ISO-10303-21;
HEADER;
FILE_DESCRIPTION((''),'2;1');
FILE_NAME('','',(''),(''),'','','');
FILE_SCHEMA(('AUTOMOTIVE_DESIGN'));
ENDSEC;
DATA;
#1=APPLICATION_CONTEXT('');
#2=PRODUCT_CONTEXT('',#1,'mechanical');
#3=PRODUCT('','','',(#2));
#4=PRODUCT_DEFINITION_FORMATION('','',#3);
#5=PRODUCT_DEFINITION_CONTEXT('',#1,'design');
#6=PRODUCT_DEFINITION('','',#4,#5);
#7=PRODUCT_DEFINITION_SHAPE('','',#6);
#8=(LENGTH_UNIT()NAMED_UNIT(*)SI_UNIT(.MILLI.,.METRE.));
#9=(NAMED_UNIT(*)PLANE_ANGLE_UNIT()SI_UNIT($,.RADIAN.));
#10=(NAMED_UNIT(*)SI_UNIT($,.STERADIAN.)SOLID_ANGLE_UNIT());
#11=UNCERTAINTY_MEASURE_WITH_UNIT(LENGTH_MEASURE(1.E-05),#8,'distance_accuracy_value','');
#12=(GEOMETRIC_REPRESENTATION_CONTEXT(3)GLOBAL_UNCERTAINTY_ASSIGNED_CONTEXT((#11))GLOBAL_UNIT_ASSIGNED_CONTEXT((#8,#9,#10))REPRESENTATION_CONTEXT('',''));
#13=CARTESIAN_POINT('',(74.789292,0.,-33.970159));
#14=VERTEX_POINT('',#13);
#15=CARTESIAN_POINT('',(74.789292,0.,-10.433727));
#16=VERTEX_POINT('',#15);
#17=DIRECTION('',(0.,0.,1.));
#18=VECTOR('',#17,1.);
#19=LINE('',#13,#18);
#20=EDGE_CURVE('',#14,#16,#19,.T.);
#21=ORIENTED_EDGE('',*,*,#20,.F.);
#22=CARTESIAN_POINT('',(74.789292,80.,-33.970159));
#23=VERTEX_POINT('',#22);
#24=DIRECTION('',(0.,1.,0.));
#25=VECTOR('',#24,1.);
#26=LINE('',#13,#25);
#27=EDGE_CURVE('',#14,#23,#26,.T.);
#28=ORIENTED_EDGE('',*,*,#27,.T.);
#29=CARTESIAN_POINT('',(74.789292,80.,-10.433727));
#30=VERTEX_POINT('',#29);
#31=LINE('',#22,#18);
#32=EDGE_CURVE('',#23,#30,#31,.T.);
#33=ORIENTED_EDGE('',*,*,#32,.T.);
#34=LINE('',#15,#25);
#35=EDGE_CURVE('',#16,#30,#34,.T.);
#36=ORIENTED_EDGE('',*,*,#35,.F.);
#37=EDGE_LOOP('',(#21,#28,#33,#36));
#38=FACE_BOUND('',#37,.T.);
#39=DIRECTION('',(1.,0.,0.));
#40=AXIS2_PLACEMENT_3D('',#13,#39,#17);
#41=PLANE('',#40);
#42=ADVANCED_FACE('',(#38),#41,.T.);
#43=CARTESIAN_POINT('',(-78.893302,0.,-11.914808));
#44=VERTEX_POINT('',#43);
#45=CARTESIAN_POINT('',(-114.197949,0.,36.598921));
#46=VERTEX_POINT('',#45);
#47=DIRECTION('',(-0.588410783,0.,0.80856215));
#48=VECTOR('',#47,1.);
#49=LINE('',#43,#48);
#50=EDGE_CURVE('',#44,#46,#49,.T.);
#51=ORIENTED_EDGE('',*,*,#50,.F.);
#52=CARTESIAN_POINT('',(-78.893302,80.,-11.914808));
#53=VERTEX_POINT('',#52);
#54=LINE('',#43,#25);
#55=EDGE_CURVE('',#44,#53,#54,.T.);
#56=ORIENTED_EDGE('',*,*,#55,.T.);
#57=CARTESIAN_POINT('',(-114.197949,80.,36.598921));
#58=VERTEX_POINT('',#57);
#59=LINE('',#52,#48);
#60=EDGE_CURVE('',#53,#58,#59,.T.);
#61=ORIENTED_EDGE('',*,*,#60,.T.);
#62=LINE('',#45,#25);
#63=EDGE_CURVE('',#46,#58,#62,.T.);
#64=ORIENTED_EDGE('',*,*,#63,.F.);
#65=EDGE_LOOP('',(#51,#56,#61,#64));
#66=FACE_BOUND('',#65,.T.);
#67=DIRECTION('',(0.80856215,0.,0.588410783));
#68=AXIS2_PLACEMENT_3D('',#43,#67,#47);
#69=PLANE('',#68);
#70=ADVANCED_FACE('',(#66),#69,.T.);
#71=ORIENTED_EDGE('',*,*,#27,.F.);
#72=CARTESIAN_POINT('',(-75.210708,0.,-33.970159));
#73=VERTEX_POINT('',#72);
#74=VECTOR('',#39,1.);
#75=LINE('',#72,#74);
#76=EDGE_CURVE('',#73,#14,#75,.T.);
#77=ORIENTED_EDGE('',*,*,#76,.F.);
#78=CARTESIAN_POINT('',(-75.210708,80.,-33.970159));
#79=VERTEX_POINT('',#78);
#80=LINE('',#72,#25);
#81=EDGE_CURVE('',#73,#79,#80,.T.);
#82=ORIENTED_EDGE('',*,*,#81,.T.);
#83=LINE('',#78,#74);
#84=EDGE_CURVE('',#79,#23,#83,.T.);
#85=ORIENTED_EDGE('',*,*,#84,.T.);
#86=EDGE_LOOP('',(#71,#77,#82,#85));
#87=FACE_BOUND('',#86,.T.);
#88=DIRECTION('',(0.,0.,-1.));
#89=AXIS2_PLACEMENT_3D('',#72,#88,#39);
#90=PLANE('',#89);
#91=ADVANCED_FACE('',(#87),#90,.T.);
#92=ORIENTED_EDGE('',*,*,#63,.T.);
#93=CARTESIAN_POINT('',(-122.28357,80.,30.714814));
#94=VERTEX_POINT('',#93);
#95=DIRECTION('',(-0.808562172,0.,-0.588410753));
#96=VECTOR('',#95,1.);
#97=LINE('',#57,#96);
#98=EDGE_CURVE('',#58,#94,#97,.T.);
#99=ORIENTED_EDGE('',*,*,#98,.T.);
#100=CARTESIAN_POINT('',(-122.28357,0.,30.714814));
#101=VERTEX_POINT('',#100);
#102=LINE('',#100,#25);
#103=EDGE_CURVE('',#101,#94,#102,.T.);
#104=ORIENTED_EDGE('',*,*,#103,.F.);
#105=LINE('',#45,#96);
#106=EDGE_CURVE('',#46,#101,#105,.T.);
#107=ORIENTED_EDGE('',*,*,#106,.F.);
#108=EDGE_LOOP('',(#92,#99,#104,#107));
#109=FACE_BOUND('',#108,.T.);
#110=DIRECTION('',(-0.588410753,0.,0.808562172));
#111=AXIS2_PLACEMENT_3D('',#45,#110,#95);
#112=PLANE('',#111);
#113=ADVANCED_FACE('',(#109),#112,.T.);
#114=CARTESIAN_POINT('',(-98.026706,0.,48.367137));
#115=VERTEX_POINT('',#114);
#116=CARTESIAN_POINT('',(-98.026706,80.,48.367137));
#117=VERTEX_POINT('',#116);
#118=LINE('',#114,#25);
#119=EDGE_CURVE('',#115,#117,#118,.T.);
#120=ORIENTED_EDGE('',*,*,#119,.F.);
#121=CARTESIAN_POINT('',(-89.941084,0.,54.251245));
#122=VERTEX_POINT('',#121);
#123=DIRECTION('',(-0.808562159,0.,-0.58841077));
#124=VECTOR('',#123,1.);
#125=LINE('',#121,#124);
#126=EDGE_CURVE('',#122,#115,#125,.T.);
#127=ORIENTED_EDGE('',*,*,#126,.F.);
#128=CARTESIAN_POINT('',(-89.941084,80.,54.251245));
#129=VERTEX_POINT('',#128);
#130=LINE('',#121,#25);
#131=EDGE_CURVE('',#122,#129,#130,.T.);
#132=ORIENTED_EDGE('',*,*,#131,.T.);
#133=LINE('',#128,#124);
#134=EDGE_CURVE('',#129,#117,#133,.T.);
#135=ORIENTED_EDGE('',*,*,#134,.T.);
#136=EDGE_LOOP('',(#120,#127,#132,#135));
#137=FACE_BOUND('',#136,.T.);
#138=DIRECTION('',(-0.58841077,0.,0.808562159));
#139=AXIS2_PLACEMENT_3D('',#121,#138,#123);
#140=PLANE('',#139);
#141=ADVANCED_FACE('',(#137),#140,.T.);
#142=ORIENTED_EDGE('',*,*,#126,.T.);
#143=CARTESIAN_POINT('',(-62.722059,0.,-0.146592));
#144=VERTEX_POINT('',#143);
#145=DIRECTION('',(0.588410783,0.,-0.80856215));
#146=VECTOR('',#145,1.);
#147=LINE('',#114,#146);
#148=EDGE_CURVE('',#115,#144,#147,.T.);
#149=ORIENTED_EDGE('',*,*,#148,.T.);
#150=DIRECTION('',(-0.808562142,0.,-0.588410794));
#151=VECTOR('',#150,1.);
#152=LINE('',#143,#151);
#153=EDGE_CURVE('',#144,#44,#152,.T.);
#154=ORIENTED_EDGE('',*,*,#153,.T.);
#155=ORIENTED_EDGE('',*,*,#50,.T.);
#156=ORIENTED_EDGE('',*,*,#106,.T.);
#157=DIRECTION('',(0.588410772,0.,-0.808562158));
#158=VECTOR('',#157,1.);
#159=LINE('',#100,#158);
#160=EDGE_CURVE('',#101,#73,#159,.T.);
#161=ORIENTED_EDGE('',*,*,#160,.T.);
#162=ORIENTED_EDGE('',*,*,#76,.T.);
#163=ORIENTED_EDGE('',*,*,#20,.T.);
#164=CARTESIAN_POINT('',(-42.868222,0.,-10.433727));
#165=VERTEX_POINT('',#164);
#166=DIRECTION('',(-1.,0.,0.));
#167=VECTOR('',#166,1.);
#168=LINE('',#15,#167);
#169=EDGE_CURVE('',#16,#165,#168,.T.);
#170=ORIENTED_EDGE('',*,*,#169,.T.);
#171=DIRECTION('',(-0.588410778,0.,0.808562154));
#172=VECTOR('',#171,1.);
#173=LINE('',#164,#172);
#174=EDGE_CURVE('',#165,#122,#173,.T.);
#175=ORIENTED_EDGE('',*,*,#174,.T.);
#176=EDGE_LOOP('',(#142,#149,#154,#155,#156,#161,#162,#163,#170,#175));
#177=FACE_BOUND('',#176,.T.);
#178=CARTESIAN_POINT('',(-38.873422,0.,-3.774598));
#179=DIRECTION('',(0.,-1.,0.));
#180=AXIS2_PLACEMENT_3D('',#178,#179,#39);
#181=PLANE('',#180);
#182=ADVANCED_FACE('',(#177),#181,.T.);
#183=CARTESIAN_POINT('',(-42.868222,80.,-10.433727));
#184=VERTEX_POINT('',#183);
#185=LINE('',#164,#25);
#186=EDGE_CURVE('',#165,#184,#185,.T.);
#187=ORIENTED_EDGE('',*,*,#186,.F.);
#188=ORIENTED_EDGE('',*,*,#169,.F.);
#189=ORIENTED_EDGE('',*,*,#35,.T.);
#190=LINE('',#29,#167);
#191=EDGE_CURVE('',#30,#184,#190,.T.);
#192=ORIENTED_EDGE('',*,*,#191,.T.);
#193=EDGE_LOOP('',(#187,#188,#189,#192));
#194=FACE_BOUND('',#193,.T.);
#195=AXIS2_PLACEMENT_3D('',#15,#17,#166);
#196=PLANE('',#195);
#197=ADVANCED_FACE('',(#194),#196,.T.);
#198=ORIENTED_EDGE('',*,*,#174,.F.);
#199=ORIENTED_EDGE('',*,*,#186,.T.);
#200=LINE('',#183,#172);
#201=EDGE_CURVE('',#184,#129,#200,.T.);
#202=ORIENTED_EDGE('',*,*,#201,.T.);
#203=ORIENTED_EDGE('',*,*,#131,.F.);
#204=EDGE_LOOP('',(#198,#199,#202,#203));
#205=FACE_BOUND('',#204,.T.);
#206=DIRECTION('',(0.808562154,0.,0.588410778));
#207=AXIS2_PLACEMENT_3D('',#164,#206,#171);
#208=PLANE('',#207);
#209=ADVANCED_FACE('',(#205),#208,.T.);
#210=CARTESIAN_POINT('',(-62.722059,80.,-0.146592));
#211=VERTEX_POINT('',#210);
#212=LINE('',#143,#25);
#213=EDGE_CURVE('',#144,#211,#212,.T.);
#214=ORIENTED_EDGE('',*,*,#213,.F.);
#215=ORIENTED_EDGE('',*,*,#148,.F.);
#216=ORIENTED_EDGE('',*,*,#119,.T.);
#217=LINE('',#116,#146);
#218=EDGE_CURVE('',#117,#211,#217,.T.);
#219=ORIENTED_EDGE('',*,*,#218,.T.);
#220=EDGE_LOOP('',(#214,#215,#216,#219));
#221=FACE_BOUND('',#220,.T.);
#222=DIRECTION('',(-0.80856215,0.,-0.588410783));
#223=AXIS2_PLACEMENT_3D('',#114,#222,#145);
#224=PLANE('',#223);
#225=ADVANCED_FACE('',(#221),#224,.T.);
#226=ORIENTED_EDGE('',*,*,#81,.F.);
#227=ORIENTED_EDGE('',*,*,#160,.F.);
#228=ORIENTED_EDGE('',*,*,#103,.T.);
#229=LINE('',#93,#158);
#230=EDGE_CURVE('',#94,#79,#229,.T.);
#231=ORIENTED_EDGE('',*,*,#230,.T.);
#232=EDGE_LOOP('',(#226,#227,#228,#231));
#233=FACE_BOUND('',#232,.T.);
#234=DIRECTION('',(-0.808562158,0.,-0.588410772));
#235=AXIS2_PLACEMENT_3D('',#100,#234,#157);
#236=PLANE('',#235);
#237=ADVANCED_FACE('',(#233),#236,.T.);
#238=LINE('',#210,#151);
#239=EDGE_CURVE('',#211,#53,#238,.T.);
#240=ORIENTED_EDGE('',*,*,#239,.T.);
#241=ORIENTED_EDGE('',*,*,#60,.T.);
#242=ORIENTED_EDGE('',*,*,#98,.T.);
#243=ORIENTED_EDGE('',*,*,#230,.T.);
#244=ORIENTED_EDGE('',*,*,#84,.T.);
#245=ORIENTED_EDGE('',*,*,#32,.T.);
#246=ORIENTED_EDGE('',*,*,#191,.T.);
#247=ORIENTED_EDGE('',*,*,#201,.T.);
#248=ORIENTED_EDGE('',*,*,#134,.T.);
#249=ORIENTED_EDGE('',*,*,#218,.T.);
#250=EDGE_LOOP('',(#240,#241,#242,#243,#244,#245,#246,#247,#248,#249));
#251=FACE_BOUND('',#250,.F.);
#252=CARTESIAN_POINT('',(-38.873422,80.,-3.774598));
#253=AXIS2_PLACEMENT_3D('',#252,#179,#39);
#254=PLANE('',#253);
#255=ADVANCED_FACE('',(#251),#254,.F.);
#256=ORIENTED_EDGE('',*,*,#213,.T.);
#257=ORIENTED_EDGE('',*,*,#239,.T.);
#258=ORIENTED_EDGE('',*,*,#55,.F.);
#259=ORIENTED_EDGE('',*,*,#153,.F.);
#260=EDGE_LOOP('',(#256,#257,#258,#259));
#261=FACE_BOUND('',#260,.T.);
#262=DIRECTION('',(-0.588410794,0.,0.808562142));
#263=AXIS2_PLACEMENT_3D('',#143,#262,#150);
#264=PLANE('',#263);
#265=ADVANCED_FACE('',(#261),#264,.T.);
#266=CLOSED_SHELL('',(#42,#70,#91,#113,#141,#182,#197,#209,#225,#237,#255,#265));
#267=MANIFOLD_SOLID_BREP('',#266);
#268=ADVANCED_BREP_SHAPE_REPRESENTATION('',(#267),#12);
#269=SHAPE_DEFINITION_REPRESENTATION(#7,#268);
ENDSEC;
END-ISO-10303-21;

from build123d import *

# Parameters (mm, degrees)
F1_DEPTH = 80


with BuildPart() as f1:
    # F0 (on Front) → F1 (new body)
    with BuildSketch(Plane.XZ):
        Polygon((-122.28357, 30.714814), (-75.210708, -33.970159), (74.789292, -33.970159), (74.789292, -23.970159), (74.789292, -10.433727), (-42.868222, -10.433727), (-89.941084, 54.251245), (-98.026706, 48.367137), (-62.722059, -0.146592), (-78.893302, -11.914808), (-114.197949, 36.598921), align=None)
    extrude(amount=-F1_DEPTH)


solid = f1.part
